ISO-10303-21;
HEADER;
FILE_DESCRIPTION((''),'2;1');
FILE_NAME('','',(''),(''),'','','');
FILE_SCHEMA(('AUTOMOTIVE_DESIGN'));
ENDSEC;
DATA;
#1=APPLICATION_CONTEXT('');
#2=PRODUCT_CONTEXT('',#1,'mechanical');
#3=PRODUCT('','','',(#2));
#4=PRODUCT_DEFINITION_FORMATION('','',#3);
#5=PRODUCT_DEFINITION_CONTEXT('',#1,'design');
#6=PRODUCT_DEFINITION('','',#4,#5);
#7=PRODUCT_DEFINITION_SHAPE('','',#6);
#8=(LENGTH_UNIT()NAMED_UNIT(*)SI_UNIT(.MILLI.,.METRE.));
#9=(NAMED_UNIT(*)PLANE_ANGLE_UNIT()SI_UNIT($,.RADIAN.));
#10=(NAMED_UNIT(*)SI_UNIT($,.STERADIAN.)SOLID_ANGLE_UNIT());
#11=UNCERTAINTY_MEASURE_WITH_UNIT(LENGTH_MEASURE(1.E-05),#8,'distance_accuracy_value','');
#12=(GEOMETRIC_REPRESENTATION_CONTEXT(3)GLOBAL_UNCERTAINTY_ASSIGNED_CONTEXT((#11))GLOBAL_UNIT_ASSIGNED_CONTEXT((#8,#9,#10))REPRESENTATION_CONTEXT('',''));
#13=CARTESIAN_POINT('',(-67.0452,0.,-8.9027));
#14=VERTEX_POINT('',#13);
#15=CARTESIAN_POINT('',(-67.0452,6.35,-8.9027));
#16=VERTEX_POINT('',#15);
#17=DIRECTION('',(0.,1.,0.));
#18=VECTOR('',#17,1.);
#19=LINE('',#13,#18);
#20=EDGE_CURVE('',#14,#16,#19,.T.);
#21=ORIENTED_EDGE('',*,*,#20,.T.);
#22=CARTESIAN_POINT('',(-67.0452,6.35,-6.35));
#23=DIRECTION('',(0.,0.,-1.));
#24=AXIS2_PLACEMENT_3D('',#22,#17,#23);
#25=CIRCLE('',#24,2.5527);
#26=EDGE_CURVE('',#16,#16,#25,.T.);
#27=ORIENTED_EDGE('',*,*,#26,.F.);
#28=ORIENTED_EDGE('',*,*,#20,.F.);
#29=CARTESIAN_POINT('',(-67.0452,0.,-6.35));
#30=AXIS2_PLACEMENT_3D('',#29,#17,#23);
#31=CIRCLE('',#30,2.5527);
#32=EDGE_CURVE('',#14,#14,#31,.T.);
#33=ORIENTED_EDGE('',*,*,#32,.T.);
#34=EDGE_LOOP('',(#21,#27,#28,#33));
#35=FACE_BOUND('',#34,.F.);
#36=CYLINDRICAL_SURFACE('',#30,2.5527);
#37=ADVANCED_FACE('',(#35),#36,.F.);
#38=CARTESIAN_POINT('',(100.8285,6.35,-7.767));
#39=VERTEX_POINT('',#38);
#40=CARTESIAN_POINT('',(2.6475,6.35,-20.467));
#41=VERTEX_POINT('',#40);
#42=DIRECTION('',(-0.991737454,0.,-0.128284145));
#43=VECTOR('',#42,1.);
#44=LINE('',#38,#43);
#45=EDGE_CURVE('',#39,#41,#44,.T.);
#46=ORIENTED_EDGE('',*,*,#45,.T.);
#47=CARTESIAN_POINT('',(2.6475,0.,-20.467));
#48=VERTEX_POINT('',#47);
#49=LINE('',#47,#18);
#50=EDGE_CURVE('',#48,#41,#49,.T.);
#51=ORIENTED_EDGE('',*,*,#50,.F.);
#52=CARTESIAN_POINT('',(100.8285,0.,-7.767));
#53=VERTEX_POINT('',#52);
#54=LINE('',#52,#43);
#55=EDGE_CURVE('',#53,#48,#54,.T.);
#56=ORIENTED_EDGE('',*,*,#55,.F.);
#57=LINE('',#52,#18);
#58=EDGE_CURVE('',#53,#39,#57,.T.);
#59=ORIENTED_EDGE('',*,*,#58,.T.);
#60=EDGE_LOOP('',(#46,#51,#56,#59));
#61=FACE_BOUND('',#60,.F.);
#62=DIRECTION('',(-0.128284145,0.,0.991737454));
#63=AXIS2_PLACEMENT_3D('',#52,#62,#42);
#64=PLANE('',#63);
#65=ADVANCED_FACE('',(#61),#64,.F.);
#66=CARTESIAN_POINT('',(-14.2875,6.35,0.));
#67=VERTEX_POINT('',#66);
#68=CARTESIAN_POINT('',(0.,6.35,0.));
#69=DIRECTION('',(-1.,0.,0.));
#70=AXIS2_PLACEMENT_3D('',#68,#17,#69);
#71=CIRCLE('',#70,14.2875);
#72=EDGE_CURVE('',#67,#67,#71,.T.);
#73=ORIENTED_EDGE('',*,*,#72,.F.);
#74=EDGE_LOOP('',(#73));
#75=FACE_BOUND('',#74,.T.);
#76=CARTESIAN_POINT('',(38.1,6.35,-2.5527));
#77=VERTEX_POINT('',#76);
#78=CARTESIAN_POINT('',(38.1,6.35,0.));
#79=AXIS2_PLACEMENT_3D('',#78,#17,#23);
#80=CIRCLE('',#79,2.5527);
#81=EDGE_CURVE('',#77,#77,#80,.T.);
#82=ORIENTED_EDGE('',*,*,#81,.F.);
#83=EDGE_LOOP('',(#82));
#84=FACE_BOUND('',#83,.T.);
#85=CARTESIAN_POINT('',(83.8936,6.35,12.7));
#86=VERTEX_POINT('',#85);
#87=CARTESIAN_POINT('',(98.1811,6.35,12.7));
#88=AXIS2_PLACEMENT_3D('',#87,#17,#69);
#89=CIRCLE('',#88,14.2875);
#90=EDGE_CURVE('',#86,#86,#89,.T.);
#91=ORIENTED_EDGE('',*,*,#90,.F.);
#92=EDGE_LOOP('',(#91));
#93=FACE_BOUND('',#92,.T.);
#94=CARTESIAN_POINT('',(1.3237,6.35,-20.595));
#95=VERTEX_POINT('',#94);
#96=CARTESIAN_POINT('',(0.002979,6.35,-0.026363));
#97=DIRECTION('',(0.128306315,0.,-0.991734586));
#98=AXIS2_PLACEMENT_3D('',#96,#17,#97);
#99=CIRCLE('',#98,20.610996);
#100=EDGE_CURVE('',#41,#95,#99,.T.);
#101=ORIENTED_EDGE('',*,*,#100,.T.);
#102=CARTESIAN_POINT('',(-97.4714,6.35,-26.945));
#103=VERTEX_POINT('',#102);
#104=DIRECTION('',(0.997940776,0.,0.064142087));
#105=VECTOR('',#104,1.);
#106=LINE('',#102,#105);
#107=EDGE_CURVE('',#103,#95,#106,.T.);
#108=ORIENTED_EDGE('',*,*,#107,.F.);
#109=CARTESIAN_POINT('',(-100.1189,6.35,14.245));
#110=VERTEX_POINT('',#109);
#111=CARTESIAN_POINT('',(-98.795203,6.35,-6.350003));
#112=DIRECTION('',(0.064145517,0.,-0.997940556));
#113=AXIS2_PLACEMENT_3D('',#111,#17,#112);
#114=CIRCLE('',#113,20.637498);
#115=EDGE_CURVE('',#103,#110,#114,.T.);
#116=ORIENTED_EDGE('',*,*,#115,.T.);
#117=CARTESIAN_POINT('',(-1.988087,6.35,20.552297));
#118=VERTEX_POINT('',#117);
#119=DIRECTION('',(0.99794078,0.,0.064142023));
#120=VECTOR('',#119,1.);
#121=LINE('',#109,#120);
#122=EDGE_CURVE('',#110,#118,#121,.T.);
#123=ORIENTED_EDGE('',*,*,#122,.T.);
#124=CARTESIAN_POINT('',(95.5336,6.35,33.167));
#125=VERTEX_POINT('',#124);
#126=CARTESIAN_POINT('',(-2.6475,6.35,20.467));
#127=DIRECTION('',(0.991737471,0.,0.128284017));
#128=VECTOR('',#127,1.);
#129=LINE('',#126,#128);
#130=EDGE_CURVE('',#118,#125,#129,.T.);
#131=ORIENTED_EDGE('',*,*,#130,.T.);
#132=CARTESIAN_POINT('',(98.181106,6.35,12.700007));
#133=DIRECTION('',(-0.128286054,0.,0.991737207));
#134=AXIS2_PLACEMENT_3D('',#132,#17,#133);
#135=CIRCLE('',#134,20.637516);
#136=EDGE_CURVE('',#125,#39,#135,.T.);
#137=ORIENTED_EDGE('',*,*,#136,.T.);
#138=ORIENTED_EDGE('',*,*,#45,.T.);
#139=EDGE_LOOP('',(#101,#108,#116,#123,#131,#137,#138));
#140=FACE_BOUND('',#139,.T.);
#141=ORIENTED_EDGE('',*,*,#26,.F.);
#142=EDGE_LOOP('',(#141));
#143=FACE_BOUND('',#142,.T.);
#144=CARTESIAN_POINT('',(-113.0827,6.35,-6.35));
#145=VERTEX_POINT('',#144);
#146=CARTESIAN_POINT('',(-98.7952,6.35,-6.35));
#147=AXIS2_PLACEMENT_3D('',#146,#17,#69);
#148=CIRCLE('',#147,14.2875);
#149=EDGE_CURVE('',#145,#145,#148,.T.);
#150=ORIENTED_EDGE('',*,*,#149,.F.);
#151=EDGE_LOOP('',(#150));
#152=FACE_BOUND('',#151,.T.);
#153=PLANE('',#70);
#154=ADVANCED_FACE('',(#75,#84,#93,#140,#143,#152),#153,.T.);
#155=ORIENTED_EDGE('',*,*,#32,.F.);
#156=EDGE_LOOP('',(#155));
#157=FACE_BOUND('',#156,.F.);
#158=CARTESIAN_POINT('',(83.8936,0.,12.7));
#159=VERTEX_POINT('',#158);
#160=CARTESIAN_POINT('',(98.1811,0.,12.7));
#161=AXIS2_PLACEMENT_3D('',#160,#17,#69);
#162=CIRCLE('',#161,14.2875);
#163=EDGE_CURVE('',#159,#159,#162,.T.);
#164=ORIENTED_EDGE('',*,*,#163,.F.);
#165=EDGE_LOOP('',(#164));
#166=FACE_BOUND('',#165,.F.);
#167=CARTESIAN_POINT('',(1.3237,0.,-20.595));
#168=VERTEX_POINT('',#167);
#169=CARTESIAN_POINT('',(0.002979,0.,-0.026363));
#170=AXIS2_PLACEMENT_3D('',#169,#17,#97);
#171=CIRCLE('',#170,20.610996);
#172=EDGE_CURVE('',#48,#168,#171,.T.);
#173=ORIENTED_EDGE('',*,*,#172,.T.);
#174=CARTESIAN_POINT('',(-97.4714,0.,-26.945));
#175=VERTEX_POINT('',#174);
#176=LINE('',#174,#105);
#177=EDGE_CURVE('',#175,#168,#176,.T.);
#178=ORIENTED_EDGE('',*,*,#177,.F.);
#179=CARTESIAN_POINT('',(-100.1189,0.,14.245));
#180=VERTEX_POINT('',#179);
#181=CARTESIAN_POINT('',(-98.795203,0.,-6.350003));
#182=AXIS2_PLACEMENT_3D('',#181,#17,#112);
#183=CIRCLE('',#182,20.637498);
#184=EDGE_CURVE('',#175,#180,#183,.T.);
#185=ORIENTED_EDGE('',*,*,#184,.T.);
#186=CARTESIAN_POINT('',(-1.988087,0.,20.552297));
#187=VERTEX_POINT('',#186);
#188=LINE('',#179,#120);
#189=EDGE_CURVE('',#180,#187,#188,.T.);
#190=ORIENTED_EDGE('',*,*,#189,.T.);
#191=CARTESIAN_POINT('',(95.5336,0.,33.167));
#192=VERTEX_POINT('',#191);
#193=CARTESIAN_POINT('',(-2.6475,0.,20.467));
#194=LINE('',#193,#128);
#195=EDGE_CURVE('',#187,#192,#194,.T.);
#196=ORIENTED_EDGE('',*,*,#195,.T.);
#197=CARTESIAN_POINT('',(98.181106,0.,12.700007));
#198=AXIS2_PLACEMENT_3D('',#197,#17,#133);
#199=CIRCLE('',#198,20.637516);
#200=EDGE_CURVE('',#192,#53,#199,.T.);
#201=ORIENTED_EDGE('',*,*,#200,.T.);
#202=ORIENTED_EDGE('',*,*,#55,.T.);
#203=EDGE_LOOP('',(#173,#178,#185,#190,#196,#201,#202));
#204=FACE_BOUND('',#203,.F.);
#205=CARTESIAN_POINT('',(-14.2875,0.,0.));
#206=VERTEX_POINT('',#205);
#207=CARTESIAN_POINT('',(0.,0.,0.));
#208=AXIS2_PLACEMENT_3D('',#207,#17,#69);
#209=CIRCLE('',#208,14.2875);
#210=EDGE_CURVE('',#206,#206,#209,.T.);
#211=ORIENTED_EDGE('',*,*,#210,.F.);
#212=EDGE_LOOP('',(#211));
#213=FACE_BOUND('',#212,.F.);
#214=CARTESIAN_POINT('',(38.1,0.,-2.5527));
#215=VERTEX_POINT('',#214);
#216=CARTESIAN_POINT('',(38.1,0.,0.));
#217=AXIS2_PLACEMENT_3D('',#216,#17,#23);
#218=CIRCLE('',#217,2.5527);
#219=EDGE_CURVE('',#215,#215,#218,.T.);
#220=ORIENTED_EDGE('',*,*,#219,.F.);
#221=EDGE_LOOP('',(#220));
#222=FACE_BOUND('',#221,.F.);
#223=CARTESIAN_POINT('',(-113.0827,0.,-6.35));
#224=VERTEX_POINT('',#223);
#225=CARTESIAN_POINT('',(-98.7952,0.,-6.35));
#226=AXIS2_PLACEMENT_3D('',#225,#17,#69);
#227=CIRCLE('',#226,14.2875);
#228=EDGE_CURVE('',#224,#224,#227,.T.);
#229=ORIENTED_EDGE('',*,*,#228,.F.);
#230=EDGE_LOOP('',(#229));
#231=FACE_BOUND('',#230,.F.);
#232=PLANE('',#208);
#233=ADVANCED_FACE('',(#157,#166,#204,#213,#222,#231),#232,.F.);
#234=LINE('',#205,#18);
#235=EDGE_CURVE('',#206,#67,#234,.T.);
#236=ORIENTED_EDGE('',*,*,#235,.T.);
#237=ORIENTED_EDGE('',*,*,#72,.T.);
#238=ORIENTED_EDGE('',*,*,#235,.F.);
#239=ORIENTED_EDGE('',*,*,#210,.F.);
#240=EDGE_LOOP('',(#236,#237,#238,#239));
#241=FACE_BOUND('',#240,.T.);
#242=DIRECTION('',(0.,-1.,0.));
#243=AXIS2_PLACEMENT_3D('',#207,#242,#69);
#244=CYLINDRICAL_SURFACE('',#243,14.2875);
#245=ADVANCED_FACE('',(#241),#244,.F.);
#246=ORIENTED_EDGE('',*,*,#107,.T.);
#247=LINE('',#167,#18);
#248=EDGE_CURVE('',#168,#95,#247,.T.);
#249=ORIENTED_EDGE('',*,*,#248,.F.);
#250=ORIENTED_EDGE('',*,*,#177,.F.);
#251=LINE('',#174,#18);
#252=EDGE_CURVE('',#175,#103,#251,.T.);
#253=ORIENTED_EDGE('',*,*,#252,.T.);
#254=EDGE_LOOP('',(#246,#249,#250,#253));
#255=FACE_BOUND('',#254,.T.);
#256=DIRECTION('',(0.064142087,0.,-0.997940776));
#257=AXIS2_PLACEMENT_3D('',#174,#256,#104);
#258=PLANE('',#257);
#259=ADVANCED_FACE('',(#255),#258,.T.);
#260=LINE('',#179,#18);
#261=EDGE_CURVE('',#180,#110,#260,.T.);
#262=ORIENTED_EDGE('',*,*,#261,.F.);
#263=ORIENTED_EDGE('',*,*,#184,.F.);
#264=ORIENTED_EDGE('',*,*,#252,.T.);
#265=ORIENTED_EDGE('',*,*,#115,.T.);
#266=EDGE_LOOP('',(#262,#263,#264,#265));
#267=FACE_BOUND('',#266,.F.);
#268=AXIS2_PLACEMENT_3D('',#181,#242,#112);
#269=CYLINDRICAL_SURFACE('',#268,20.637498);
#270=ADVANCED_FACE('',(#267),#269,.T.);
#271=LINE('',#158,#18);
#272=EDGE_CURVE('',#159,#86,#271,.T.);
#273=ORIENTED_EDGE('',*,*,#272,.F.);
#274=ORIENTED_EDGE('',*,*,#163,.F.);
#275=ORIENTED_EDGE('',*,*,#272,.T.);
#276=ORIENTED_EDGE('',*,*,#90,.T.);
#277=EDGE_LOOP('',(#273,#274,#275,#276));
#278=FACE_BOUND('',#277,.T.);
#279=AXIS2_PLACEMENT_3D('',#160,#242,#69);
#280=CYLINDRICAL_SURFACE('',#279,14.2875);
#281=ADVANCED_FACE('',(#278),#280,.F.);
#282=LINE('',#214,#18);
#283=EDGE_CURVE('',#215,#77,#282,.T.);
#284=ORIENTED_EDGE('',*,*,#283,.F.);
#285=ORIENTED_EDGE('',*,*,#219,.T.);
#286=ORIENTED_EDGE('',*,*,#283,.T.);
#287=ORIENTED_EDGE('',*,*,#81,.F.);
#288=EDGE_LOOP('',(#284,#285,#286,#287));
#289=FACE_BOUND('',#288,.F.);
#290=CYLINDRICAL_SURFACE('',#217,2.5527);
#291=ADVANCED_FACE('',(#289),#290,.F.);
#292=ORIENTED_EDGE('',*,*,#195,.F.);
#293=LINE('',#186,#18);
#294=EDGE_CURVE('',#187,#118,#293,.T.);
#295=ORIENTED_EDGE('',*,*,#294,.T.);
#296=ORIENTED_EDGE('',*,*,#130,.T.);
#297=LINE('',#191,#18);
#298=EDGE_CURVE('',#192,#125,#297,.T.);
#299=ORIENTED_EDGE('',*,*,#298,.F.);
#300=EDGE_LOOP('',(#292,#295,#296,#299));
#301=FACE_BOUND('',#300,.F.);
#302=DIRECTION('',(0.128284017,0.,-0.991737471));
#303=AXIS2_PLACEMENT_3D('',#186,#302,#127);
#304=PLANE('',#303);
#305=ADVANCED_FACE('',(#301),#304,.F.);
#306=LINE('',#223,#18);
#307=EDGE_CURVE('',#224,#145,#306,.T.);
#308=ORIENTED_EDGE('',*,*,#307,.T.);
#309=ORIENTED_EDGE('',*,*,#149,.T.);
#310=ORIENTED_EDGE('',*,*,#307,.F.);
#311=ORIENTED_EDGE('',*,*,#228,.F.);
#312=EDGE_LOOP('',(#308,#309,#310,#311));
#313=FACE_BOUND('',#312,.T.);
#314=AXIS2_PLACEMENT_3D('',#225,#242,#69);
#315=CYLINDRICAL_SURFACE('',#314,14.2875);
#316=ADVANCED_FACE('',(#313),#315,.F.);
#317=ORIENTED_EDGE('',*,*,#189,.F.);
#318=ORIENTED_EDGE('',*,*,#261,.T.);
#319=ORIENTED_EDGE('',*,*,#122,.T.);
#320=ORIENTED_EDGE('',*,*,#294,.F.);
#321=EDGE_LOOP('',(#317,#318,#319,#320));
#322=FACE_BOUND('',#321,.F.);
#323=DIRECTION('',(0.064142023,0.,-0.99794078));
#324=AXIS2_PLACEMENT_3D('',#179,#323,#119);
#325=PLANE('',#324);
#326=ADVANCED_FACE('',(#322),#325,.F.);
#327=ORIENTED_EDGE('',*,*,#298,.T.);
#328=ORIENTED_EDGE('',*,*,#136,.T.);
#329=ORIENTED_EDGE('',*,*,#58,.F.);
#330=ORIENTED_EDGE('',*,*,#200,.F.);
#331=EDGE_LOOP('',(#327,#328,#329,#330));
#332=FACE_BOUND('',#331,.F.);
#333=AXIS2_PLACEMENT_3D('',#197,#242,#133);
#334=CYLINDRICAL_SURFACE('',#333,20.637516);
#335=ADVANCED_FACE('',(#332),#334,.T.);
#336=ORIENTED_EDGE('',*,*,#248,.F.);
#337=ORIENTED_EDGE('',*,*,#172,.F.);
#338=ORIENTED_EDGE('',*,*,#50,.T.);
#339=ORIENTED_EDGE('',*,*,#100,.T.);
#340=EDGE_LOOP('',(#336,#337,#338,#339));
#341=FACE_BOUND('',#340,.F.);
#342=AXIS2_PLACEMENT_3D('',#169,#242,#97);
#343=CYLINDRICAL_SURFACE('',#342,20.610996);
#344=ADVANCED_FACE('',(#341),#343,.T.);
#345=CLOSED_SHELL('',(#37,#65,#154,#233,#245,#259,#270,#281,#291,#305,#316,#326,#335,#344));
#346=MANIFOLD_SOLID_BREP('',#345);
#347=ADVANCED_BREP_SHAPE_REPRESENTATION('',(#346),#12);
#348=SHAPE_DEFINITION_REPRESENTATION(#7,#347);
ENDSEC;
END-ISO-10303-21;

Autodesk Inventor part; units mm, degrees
ref_plane "YZ Plane" through (0, 0, 0) normal (1, 0, 0) x (0, 1, 0)
ref_plane "XZ Plane" through (0, 0, 0) normal (0, 1, 0) x (-1, 0, 0)
ref_plane "XY Plane" through (0, 0, 0) normal (0, 0, 1) x (1, 0, 0)
sketch "Sketch1" plane through (0, 0, 0) normal (0, 1, 0) x (-1, 0, 0)
  circle A0 centre (0, 0) radius 14.2875
  circle A1 centre (-98.1811, 12.7) radius 14.2875
  circle A2 centre (98.7952, -6.35) radius 14.2875
  circle A3 centre (98.7952, -6.35) radius 20.6375 construction
  circle A4 centre (0, 0) radius 20.6375 construction
  circle A5 centre (-98.1811, 12.7) radius 20.6375 construction
  circle A6 centre (67.0452, -6.35) radius 4.7625 construction
  circle A7 centre (-38.1, 0) radius 4.7625 construction
  circle A8 centre (67.0452, -6.35) radius 11.1125 construction
  circle A9 centre (-38.1, 0) radius 11.1125 construction
  line L0 (100.1189, 14.245) -> (1.3237, 20.595)
  line L1 (2.6475, 20.467) -> (-95.5336, 33.167)
  line L2 (-100.8285, -7.767) -> (-2.6475, -20.467)
  line L3 (97.4714, -26.945) -> (-1.3237, -20.595)
  arc A10 (-2.6475, -20.467) -> (-1.3237, -20.595) centre (0, 0) ccw
  arc A11 (97.4714, -26.945) -> (100.1189, 14.245) centre (98.7952, -6.35) ccw
  arc A12 (-95.5336, 33.167) -> (-100.8285, -7.767) centre (-98.1811, 12.7) ccw
  point P0 (1.9877, 20.5523)
  dimension "d0" = 28.575
  dimension "d1" = 98.999
  dimension "d2" = 98.999
  dimension "d3" = 12.7
  dimension "d4" = 6.35
  dimension "d5" = 6.35
  dimension "d6" = 6.35
  dimension "d7" = 6.35
  dimension "d8" = 31.75
  dimension "d9" = 38.1
  dimension "d10" = 9.525
  dimension "d11" = 6.35
extrude "Extrusion1" add sketch "Sketch1" along normal blind 6.35
hole "Hole1" at (38.1, 0, 0) at (-67.0452, 0, -6.35) direction (0, 1, 0) diameter 5.1054 end through all clearance for "Flat Head Machine Screw (82)" size "#10" standard "Ansi Unified Screw Threads"
equation "\"d2\" = d1"
properties part number "GP3-004" material "Aluminum 6061"
